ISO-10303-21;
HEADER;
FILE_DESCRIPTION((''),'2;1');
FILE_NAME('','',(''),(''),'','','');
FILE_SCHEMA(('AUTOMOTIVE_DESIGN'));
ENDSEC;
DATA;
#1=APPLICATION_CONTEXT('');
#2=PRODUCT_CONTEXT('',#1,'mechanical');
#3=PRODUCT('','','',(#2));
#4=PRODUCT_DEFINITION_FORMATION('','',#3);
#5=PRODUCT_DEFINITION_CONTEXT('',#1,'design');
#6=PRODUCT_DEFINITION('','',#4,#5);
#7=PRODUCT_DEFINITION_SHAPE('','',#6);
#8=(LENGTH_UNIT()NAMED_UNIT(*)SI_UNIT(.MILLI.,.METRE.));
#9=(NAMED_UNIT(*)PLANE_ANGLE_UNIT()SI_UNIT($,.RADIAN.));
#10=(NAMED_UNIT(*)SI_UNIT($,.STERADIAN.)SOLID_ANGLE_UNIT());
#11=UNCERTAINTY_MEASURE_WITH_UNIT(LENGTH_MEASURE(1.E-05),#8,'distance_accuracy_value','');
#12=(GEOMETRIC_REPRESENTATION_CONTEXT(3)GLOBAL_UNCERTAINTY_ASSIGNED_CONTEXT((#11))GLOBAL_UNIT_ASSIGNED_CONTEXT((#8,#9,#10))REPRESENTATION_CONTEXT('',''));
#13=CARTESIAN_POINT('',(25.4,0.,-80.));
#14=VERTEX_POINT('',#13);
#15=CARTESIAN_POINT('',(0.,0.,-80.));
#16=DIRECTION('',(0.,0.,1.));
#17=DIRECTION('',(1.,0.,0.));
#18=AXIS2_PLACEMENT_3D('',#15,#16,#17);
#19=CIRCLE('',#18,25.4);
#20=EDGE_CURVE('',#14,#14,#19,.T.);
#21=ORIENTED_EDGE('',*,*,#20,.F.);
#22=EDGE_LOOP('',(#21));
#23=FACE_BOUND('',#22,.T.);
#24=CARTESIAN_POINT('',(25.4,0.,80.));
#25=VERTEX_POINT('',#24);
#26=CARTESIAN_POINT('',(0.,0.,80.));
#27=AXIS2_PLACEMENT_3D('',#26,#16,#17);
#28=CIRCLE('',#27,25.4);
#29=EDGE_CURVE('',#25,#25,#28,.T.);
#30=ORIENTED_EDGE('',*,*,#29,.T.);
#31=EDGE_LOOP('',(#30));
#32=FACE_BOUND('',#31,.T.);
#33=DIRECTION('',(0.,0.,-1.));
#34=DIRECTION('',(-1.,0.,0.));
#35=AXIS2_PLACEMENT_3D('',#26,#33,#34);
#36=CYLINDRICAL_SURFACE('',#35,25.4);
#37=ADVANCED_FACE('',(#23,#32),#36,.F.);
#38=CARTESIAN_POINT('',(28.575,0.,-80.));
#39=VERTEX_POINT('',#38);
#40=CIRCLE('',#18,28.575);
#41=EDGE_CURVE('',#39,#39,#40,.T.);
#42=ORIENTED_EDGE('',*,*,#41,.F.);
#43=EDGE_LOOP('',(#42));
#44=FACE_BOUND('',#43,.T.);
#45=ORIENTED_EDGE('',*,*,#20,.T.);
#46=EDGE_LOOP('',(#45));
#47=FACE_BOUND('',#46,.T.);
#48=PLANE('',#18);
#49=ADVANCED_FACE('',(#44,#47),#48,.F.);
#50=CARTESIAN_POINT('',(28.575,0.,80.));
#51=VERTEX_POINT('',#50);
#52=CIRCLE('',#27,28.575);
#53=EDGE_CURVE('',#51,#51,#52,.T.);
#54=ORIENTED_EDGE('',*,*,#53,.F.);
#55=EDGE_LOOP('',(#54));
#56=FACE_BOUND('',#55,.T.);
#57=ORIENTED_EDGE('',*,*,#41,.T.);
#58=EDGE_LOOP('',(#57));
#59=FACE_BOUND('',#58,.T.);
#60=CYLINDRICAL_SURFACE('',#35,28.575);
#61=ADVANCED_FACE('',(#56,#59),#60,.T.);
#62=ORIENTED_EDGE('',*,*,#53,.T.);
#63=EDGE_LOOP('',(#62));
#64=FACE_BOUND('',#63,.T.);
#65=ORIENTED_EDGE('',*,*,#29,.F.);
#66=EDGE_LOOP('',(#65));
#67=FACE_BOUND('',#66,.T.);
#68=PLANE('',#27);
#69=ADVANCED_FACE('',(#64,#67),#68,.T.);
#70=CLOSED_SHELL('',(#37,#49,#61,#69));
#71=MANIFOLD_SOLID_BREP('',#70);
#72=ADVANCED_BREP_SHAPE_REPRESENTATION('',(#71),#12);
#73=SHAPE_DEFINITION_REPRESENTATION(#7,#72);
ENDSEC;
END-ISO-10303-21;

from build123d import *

# Parameters (mm, degrees)
SKETCH1_R           = 28.575
SKETCH1_R_2         = 25.4
BOSS_EXTRUDE1_DEPTH = 80


with BuildPart() as part:
    # Sketch1 → Boss-Extrude1 (new body, symmetric)
    with BuildSketch(Plane.XY):
        Circle(SKETCH1_R)
        Circle(SKETCH1_R_2, mode=Mode.SUBTRACT)
    extrude(amount=BOSS_EXTRUDE1_DEPTH, both=True)


solid = part.part
